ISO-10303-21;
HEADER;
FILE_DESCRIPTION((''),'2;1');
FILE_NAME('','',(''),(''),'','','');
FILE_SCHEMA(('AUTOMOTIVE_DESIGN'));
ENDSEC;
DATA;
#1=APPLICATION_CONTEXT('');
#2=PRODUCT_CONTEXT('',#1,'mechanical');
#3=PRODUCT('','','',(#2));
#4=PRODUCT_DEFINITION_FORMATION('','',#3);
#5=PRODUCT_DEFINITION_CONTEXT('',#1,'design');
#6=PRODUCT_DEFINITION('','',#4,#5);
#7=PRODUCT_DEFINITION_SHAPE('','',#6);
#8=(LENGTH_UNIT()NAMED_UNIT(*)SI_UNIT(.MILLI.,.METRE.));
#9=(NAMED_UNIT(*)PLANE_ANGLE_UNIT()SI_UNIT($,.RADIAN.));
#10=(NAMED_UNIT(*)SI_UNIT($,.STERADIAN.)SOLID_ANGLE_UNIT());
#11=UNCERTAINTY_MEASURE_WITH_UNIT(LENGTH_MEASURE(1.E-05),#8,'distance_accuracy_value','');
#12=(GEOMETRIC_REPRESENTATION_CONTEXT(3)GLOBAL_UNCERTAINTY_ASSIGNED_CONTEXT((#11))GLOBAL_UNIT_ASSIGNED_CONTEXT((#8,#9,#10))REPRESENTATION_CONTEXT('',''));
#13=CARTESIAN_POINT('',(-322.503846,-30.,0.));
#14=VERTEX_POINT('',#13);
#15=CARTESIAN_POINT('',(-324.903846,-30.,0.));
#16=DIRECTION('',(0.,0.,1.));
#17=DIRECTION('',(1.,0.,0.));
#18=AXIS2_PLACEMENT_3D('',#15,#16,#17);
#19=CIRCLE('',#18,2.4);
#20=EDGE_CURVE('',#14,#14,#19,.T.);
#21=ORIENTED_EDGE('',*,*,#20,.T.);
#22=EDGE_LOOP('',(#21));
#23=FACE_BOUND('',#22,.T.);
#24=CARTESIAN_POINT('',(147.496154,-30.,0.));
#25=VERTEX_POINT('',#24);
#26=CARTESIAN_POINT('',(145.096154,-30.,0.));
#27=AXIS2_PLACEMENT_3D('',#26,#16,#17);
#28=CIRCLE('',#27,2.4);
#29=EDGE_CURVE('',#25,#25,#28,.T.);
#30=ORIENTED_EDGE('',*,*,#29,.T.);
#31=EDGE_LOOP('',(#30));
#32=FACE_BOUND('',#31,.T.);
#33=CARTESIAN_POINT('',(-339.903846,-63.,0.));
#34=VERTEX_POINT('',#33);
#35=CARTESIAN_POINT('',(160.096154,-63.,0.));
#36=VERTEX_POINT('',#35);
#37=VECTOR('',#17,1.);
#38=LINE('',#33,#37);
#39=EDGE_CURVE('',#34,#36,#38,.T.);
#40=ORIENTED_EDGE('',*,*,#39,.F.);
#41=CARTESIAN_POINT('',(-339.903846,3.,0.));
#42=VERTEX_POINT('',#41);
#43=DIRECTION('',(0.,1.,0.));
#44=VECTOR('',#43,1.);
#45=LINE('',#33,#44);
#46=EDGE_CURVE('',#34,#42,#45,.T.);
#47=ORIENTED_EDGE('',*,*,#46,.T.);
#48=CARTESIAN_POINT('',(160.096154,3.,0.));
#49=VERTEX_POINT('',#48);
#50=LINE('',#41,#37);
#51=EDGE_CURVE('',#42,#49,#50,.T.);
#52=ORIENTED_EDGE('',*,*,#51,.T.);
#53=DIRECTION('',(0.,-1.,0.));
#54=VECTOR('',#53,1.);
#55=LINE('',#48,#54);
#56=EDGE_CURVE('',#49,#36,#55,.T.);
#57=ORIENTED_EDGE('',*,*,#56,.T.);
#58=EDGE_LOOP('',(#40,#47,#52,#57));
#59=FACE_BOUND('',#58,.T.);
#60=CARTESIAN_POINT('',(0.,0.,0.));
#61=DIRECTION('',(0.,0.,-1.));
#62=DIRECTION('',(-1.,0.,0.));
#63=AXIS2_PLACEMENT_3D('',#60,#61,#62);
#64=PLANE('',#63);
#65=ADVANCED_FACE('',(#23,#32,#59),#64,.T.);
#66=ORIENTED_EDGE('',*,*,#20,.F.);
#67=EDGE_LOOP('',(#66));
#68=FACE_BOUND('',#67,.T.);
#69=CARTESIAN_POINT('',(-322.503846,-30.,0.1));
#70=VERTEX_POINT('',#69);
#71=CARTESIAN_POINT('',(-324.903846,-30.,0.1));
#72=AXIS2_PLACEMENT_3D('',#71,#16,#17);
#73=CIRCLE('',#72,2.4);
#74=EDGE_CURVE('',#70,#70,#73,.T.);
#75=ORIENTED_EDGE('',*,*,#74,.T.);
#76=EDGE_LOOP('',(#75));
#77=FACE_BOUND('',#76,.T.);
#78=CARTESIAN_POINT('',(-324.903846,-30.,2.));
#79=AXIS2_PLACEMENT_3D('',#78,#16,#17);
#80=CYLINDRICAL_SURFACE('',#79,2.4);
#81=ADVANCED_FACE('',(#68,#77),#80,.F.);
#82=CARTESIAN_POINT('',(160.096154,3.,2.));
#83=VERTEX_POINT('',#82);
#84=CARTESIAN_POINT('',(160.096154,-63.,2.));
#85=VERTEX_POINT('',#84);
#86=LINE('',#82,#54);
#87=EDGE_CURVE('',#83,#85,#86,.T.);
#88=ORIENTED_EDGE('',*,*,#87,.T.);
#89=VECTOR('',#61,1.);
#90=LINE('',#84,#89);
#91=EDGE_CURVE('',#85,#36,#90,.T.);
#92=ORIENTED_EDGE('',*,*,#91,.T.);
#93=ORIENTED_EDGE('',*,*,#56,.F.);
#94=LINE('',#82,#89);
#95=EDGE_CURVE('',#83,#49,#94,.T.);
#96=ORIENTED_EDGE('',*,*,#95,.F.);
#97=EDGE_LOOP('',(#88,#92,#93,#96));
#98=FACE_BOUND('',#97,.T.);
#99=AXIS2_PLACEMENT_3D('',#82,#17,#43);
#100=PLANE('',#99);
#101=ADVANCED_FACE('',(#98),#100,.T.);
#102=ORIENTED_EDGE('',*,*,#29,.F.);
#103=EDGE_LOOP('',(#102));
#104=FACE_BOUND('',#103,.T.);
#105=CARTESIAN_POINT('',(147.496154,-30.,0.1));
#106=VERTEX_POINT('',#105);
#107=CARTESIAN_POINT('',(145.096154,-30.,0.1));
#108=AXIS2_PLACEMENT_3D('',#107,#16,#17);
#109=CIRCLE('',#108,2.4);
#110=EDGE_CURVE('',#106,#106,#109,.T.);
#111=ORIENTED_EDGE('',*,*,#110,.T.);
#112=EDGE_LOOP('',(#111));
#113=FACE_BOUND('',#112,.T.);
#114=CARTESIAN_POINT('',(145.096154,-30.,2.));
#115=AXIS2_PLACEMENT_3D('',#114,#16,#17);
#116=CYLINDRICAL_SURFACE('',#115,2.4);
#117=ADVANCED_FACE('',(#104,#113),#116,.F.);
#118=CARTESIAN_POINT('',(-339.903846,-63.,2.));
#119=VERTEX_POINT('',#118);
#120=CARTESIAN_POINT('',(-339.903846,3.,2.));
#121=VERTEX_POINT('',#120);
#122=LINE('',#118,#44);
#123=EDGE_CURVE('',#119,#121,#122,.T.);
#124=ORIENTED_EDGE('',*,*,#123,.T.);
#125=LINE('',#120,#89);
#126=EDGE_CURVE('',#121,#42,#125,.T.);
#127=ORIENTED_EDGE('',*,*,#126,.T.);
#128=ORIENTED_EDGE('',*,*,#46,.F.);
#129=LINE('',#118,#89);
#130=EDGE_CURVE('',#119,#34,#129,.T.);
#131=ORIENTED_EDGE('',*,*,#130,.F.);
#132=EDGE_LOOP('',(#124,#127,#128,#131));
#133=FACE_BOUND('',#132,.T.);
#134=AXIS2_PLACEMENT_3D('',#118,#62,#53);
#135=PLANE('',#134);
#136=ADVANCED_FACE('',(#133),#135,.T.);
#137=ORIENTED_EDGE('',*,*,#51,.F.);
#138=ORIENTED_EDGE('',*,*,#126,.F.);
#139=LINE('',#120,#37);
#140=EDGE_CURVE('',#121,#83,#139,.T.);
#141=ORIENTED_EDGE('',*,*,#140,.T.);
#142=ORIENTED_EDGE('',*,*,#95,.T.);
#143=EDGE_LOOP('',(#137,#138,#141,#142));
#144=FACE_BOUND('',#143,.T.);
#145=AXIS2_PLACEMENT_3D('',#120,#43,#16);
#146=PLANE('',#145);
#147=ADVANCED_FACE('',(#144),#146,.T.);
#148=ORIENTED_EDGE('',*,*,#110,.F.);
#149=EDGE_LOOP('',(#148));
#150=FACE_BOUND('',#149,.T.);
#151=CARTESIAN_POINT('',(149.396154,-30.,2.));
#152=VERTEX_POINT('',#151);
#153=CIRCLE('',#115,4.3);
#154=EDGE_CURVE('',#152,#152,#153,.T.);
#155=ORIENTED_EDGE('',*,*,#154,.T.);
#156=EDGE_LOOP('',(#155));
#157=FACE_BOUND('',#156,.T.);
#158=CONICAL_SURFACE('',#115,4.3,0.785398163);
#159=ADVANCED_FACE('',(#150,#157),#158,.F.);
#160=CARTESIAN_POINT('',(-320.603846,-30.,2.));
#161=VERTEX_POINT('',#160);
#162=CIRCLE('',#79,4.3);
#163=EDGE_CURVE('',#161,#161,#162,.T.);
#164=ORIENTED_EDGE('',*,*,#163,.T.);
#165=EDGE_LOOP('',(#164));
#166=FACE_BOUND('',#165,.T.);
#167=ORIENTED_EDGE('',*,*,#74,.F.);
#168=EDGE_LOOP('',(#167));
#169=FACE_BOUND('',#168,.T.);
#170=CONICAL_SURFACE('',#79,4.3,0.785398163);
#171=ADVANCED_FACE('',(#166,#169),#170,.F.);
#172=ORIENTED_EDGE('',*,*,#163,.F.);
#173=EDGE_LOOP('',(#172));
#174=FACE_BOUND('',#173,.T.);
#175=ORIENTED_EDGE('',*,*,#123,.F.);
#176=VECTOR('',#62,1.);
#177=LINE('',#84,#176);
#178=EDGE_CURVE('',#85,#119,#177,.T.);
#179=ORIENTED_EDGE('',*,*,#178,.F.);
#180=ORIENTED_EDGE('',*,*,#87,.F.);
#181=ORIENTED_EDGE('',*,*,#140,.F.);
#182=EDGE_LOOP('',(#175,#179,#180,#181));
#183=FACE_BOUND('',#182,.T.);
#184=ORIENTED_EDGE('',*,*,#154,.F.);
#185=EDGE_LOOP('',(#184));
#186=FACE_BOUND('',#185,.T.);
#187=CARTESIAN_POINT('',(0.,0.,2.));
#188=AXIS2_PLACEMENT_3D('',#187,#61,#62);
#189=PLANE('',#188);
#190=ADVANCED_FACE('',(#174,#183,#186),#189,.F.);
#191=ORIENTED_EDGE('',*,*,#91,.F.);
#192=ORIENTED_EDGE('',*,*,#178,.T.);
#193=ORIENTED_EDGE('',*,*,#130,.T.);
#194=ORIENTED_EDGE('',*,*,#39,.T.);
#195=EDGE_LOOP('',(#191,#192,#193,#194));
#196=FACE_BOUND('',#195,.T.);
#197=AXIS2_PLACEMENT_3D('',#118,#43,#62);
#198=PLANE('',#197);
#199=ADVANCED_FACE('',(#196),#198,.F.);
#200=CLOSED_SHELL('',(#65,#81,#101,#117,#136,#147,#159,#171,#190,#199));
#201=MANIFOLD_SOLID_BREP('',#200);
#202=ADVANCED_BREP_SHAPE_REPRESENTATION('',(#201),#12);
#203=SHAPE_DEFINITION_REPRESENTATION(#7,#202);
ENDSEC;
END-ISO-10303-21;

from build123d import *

# Parameters (mm, degrees)
AUFSATZ_LINEAR_AUSTRAGEN1_DEPTH             = 2
FORMSENKUNG_F_R_M4_SENKSCHRAUBE_MIT_2_COUNT = 2
FORMSENKUNG_F_R_M4_SENKSCHRAUBE_MIT_2_PITCH = 470
SKIZZE5_W                                   = 500
SKIZZE5_H                                   = 8
SCHLITZ_OBEN_DEPTH                          = 10


with BuildPart() as part:
    # Skizze1 → Aufsatz-Linear austragen1 (new body)
    with BuildSketch(Plane.XY):
        Polygon((-339.903846154, 3), (160.096153846, 3), (160.096153846, -63), (130.095509739, -63), (130.095509739, -71), (-309.903846154, -71), (-309.903846154, -63), (-339.903846154, -63), align=None)
    extrude(amount=AUFSATZ_LINEAR_AUSTRAGEN1_DEPTH)

    # Skizze3 → Formsenkung für M4 Senkschraube mit Innensechskant1 (revolve, cut)
    with BuildSketch(Plane(origin=(145.096153846, -30, 2), x_dir=(0, -1, 0), z_dir=(1, 0, 0))):
        Polygon((0, 0), (0, 2), (2.4, 2), (2.4, 1.9), (4.3, 0), align=None)
    formsenkung_f_r_m4_senkschraube_mit_inne = revolve(axis=Axis((145.096153846, -30, 8.35), (0, 0, -1)), mode=Mode.SUBTRACT)

    # Formsenkung f_r M4 Senkschraube mit  2: Formsenkung für M4 Senkschraube mit Innensechskant1 ×2
    with Locations(*[(-i * FORMSENKUNG_F_R_M4_SENKSCHRAUBE_MIT_2_PITCH, 0, 0) for i in range(1, FORMSENKUNG_F_R_M4_SENKSCHRAUBE_MIT_2_COUNT)]):
        add(formsenkung_f_r_m4_senkschraube_mit_inne, mode=Mode.SUBTRACT)

    # Skizze5 → Schlitz Oben (cut)
    with BuildSketch(Plane(origin=(0, 0, 0), x_dir=(-1, 0, 0), z_dir=(0, 0, -1))):
        with Locations((89.903846154, -67)):
            Rectangle(SKIZZE5_W, SKIZZE5_H)
    extrude(amount=-SCHLITZ_OBEN_DEPTH, mode=Mode.SUBTRACT)


solid = part.part
